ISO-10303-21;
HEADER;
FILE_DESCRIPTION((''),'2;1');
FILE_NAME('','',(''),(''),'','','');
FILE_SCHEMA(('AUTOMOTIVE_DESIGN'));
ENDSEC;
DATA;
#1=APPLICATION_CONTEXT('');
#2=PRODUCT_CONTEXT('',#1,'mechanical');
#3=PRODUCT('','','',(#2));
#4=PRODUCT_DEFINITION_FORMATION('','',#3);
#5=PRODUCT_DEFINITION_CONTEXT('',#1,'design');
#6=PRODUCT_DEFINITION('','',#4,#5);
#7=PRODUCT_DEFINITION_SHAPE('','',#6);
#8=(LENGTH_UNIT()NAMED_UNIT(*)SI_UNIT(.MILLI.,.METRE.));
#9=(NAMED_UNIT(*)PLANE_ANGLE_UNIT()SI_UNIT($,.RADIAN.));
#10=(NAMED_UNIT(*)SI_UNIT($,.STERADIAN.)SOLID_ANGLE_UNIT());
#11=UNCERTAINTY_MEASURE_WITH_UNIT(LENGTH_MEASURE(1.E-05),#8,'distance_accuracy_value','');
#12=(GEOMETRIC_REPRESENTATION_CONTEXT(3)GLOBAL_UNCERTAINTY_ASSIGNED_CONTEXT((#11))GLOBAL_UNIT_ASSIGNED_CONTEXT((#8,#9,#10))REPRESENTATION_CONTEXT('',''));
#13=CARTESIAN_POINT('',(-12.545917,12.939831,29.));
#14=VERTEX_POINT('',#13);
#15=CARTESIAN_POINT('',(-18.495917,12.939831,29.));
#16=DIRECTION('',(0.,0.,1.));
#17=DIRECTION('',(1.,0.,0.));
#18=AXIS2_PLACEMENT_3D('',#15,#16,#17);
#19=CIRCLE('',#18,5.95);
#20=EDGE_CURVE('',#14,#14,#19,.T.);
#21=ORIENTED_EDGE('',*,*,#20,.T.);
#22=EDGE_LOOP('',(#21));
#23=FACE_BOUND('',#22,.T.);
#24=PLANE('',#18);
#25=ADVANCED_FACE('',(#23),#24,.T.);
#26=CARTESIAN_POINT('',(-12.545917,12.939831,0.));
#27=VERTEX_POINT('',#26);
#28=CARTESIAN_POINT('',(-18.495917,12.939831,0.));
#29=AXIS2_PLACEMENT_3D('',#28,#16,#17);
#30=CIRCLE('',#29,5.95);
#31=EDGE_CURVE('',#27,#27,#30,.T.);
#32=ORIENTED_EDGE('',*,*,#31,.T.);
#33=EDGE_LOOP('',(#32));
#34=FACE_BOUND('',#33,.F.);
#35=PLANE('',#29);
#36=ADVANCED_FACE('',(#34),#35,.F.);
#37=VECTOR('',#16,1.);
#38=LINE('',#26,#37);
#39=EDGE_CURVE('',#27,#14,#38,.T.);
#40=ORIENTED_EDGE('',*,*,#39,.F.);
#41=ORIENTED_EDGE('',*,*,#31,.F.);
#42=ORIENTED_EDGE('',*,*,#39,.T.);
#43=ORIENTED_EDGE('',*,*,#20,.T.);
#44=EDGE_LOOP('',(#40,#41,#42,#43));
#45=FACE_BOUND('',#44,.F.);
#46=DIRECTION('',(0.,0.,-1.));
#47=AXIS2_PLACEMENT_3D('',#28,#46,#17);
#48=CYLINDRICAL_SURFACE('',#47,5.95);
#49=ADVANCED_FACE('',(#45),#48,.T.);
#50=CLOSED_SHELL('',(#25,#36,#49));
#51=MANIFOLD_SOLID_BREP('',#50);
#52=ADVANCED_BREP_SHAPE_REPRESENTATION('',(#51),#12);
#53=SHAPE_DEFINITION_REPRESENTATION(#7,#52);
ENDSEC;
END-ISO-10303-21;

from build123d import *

# Parameters (mm, degrees)
SKETCH1_R           = 5.95
BOSS_EXTRUDE1_DEPTH = 29


with BuildPart() as part:
    # Sketch1 → Boss-Extrude1 (new body)
    with BuildSketch(Plane.XY):
        with Locations((-18.495917177, 12.939831384)):
            Circle(SKETCH1_R)
    extrude(amount=BOSS_EXTRUDE1_DEPTH)


solid = part.part
